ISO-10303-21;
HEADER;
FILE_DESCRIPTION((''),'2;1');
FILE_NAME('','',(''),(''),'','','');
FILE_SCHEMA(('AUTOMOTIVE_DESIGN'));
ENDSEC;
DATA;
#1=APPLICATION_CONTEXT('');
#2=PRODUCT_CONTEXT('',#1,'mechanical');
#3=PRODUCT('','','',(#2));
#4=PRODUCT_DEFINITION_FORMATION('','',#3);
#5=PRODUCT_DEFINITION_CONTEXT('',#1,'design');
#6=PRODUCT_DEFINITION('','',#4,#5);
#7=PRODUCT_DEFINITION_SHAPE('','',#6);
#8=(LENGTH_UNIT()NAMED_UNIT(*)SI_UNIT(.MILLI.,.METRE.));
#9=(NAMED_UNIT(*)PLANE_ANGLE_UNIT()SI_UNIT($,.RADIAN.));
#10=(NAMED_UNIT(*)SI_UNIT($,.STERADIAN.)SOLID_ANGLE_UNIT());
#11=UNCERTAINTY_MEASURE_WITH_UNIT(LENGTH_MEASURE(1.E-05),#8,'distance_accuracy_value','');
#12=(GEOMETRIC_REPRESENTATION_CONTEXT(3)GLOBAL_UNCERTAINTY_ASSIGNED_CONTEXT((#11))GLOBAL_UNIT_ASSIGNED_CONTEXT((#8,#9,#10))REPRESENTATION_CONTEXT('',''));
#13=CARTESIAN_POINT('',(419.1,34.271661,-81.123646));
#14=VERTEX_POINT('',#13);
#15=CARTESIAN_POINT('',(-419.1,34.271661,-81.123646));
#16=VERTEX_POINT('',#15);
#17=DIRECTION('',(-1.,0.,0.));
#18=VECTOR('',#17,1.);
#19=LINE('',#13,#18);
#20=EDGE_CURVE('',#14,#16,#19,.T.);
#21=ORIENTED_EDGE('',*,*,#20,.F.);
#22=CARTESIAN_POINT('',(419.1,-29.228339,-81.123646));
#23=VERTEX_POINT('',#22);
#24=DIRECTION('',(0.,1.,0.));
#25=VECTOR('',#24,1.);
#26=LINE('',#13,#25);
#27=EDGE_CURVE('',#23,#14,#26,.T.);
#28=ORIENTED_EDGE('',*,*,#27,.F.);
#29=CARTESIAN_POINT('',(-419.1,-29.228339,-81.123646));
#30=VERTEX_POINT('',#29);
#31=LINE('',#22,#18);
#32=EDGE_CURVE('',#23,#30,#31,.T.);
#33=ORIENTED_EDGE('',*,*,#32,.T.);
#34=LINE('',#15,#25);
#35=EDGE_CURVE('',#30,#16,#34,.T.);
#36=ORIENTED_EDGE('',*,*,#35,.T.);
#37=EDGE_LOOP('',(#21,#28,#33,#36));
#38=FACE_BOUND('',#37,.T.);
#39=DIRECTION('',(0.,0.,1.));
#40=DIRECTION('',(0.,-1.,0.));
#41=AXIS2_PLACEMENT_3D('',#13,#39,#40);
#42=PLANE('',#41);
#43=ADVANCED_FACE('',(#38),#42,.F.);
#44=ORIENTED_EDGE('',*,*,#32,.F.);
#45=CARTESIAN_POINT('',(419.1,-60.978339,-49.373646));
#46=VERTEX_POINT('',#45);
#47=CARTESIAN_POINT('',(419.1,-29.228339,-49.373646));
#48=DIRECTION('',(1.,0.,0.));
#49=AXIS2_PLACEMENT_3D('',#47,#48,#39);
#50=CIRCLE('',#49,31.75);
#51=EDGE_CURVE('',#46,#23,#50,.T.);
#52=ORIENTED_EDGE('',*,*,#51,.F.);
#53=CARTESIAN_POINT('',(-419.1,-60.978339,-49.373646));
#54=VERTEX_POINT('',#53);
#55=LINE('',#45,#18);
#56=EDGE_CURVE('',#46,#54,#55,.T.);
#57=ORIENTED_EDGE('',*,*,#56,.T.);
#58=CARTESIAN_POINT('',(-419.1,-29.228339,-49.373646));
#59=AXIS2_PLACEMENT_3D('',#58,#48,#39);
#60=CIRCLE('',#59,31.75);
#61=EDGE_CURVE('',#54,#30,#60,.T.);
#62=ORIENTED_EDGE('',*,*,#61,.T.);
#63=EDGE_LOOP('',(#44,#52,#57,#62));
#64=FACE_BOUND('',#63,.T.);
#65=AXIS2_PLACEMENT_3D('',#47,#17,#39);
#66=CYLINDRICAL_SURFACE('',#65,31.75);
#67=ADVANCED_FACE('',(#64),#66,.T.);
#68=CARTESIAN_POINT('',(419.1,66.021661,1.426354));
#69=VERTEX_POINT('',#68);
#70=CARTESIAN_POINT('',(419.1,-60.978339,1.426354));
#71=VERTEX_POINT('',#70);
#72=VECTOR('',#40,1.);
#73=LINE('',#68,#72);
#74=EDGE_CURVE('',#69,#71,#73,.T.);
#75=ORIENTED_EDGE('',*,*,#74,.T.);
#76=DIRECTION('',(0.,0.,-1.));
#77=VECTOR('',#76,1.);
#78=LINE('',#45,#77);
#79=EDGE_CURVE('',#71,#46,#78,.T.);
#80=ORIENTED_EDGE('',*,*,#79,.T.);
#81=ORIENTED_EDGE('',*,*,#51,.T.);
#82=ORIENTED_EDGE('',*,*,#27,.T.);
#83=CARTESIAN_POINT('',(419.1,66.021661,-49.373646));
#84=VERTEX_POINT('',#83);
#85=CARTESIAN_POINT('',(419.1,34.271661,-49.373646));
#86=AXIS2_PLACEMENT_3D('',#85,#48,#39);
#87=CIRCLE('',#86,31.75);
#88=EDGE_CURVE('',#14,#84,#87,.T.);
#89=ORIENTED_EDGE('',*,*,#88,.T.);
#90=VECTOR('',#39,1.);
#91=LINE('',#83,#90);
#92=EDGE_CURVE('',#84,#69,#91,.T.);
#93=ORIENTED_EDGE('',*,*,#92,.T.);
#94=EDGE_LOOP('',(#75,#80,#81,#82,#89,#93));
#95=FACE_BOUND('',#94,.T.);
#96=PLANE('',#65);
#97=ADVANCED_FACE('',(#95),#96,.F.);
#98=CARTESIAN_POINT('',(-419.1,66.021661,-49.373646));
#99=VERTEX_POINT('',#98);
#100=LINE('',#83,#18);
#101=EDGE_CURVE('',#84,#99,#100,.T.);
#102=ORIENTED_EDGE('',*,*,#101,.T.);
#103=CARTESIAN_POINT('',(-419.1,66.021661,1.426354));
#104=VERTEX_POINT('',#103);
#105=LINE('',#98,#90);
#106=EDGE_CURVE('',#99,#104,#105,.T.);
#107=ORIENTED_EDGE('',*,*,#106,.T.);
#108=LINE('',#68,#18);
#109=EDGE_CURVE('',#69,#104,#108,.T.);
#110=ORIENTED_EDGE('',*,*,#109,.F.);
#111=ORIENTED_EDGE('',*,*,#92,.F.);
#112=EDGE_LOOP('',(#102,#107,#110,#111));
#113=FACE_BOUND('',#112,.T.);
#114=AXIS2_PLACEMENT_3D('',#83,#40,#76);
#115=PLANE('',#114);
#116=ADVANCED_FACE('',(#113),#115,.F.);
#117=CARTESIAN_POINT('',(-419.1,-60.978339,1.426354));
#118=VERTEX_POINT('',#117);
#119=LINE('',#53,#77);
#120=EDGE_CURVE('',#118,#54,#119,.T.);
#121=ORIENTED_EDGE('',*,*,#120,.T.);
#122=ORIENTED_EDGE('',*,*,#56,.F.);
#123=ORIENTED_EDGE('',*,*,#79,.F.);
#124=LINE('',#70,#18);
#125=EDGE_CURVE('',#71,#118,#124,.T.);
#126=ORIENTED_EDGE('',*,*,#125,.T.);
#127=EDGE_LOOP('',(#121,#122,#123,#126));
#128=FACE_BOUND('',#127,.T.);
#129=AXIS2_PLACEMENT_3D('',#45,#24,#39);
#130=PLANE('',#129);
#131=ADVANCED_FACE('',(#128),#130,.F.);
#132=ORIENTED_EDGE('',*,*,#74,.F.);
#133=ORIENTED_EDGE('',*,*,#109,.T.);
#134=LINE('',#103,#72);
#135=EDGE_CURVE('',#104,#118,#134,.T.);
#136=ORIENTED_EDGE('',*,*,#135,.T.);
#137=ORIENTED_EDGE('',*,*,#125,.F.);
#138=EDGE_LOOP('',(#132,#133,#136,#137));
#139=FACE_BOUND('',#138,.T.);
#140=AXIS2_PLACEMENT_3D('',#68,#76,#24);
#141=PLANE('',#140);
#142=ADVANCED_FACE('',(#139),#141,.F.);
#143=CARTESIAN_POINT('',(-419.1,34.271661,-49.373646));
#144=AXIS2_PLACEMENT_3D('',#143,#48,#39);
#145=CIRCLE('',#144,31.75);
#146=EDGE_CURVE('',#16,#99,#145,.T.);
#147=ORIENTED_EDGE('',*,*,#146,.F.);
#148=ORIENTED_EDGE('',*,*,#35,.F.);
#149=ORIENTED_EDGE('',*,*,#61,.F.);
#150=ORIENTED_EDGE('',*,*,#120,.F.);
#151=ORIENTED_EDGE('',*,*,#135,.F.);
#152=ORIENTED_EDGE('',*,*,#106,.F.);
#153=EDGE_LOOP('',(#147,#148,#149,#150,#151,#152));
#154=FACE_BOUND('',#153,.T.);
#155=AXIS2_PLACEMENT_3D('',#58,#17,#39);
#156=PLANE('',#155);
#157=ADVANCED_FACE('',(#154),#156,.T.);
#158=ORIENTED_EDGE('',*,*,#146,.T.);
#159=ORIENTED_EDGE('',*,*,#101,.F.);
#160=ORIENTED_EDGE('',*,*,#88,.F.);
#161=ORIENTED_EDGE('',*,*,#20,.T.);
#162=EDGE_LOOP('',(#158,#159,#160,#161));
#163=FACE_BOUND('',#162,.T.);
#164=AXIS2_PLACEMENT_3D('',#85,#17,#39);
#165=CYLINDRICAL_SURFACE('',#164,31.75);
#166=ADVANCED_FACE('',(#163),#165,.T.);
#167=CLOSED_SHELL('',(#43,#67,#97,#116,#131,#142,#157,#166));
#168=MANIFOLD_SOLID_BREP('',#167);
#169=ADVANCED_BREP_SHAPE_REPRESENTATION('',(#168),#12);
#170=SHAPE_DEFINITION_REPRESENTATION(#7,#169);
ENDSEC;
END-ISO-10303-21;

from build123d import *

# Parameters (mm, degrees)
BOSS_EXTRUDE1_DEPTH = 419.1


with BuildPart() as part:
    # Sketch1 → Boss-Extrude1 (new body, symmetric)
    with BuildSketch(Plane(origin=(0, 0, 0), x_dir=(0, 0, -1), z_dir=(1, 0, 0))):
        with BuildLine():
            Line((49.373646209, 66.02166065), (-1.426353791, 66.02166065))
            Line((-1.426353791, 66.02166065), (-1.426353791, -60.97833935))
            Line((-1.426353791, -60.97833935), (49.373646209, -60.97833935))
            ThreePointArc((49.373646209, -60.97833935), (71.824286512, -51.678979653), (81.123646209, -29.22833935))
            Line((81.123646209, -29.22833935), (81.123646209, 34.27166065))
            ThreePointArc((81.123646209, 34.27166065), (71.824286512, 56.722300952), (49.373646209, 66.02166065))
        make_face()
    extrude(amount=BOSS_EXTRUDE1_DEPTH, both=True)


solid = part.part
